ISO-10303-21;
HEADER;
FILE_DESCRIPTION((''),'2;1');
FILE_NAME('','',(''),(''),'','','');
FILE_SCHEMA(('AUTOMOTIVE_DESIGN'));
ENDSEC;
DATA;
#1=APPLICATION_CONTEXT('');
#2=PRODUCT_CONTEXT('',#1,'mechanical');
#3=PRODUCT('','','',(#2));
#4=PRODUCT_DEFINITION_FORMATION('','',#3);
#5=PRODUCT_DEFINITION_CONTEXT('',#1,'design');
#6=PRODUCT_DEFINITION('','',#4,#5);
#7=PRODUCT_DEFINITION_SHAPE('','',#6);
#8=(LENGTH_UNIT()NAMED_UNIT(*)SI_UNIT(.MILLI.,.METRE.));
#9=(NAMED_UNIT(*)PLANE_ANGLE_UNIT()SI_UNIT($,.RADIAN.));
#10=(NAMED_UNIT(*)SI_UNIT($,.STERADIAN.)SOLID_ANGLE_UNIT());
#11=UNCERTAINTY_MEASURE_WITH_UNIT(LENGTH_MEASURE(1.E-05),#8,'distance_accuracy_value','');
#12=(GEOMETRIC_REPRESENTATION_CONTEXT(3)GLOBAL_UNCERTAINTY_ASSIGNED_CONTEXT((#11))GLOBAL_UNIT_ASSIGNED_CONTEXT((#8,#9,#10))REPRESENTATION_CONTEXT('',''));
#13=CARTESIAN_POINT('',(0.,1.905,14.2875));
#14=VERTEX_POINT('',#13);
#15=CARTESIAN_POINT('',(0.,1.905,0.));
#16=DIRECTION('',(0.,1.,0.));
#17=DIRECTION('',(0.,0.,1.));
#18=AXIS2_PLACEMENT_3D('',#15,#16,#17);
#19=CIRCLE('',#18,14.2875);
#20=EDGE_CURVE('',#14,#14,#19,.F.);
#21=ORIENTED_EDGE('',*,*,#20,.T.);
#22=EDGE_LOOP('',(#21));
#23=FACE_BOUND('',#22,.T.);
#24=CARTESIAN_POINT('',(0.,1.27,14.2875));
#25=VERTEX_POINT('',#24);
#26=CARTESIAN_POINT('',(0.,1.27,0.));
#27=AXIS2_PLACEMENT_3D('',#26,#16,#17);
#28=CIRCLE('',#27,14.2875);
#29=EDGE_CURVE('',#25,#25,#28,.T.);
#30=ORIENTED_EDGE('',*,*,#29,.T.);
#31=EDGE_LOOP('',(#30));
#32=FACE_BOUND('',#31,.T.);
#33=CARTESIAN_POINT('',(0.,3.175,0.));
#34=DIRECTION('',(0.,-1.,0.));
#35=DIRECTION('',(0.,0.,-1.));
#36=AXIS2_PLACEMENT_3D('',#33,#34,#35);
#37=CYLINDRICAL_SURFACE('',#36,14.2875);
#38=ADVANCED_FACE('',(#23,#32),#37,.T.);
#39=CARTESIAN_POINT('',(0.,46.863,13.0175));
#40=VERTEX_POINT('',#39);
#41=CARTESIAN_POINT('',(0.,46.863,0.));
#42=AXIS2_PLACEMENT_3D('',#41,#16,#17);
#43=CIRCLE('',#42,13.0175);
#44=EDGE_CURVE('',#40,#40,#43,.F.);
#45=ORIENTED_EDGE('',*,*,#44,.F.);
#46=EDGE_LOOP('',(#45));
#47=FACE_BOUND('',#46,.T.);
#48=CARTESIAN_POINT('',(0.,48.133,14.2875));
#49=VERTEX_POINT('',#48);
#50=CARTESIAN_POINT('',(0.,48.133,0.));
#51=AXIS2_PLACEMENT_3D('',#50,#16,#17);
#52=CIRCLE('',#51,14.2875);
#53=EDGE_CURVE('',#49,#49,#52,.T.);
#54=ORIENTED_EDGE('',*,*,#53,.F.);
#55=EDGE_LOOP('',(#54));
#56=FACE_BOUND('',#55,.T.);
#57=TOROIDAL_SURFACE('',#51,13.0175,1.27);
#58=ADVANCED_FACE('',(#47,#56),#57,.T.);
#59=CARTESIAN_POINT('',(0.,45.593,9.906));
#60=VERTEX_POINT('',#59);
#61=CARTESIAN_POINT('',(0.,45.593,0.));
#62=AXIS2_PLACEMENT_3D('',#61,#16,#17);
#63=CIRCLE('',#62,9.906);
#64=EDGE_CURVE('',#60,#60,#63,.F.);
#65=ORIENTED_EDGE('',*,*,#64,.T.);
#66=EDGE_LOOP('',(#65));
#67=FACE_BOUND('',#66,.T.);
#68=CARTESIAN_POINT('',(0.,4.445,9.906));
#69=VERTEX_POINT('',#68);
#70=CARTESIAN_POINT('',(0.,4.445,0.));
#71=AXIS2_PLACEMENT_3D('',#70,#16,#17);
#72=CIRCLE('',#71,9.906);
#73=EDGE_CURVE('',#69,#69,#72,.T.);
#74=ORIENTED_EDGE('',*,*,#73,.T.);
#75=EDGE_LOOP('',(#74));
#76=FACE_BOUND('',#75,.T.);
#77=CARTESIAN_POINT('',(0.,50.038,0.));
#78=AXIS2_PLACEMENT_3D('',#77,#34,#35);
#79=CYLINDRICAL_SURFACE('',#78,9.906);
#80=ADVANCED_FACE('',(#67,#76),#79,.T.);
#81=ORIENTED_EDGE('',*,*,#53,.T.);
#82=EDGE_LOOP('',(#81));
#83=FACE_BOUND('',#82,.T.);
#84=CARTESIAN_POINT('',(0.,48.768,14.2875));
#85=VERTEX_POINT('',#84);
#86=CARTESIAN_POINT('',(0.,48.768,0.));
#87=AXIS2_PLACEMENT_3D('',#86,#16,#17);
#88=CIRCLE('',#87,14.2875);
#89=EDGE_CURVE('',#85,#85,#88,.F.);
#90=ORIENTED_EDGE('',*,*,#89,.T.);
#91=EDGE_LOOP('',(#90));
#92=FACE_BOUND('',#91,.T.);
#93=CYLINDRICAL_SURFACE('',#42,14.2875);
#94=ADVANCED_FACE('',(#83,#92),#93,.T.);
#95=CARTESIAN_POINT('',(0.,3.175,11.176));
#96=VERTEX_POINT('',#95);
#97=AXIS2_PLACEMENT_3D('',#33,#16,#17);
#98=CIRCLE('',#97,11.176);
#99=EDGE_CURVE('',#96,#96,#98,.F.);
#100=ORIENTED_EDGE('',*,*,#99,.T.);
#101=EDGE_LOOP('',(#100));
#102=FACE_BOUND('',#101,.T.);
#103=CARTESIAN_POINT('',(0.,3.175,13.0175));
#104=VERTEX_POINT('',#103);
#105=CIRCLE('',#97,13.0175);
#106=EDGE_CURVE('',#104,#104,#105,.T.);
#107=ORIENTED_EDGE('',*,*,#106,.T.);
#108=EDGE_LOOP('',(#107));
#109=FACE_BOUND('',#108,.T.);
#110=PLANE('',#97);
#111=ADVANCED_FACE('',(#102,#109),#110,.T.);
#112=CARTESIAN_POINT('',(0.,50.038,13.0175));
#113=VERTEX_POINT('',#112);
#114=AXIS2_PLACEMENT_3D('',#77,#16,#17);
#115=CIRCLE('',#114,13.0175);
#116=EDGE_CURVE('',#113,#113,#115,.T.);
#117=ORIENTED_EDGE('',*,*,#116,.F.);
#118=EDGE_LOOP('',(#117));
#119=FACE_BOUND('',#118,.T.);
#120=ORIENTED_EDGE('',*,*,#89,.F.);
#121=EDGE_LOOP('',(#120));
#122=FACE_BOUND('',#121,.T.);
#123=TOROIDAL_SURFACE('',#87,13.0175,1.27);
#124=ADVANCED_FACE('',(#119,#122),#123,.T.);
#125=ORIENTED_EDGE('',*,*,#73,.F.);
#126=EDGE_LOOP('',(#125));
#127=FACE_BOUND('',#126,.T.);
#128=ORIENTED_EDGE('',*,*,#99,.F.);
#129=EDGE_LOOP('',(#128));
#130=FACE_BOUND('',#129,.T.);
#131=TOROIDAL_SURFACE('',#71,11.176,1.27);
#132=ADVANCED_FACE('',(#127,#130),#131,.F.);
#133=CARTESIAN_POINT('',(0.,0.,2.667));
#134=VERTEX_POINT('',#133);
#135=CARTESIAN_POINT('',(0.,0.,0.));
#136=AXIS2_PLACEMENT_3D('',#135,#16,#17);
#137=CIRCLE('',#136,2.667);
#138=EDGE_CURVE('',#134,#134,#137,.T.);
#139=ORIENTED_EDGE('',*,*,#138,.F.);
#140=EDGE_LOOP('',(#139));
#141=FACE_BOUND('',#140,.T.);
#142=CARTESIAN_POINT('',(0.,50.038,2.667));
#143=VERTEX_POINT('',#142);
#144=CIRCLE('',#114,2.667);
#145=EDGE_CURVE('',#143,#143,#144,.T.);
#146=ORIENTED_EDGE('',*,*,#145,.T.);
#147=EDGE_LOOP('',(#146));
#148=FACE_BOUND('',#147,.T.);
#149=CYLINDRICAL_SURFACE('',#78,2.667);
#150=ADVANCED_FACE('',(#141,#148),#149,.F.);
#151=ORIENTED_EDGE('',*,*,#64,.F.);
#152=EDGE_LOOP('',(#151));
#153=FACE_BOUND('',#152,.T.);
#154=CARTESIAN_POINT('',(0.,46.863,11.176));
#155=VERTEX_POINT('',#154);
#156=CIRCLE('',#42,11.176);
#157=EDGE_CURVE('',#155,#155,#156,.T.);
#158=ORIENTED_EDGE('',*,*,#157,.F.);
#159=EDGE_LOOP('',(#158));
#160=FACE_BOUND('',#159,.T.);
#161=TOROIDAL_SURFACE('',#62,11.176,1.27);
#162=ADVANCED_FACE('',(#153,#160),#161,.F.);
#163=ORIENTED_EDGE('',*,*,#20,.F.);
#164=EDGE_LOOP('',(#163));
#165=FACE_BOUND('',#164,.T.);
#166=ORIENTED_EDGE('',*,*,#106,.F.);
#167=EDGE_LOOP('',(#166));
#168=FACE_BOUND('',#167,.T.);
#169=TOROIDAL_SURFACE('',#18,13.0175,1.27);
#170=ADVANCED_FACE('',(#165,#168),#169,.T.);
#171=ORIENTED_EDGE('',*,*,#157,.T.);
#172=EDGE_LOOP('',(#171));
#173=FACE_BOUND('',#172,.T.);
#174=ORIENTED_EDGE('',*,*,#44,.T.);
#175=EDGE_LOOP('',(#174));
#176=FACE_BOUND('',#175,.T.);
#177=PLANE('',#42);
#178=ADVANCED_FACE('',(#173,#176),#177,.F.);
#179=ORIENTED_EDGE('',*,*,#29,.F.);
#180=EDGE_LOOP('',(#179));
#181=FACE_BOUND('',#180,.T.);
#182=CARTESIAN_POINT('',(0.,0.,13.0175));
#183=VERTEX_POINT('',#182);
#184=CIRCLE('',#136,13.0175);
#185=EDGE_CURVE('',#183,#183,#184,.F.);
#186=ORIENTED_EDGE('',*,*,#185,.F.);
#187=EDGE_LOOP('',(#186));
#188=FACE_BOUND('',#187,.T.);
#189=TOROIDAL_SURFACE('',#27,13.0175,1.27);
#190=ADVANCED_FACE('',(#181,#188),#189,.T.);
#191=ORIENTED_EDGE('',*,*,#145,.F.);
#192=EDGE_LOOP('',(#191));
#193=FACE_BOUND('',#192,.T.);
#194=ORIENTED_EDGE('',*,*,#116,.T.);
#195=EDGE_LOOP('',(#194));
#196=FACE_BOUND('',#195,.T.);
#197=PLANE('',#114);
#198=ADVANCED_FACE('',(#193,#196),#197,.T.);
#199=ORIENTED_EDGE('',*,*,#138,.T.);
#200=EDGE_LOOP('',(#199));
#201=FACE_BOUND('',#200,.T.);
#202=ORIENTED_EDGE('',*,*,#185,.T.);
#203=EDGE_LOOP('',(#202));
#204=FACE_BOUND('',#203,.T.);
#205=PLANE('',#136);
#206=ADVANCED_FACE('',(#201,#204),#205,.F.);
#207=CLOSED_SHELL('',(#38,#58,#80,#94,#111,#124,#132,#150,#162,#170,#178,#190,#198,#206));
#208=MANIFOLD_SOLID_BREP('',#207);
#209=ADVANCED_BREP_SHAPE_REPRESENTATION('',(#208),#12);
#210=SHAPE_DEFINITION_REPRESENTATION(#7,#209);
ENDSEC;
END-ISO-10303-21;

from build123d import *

# Parameters (mm, degrees)
SKETCH2_R           = 9.906
SKETCH2_R_2         = 2.667
BOSS_EXTRUDE1_DEPTH = 50.038
BOSS_EXTRUDE2_START = -3.175
SKETCH3_R           = 14.2875
SKETCH3_R_2         = 2.667
BOSS_EXTRUDE2_DEPTH = 3.175
BOSS_EXTRUDE3_START = -50.038
SKETCH3_2_R         = 14.2875
SKETCH3_2_R_2       = 2.667
BOSS_EXTRUDE3_DEPTH = 3.175
FILLET1_R           = 1.27


with BuildPart() as part:
    # Sketch2 → Boss-Extrude1 (new body)
    with BuildSketch(Plane(origin=(0, 0, 0), x_dir=(1, 0, 0), z_dir=(0, 1, 0))):
        with Locations(Location((0, 0, 0), (0, 0, 270))):
            Circle(SKETCH2_R)
        with Locations(Location((0, 0, 0), (0, 0, 270))):
            Circle(SKETCH2_R_2, mode=Mode.SUBTRACT)
    extrude(amount=BOSS_EXTRUDE1_DEPTH)

    # Sketch3 → Boss-Extrude2 (add)
    with BuildSketch(Plane(origin=(0, 50.038, 0), x_dir=(1, 0, 0), z_dir=(0, 1, 0)).offset(BOSS_EXTRUDE2_START)):
        with Locations(Location((0, 0, 0), (0, 0, 270))):
            Circle(SKETCH3_R)
        with Locations(Location((0, 0, 0), (0, 0, 270))):
            Circle(SKETCH3_R_2, mode=Mode.SUBTRACT)
    extrude(amount=BOSS_EXTRUDE2_DEPTH)

    # Sketch3<2> → Boss-Extrude3 (add)
    with BuildSketch(Plane(origin=(0, 50.038, 0), x_dir=(1, 0, 0), z_dir=(0, 1, 0)).offset(BOSS_EXTRUDE3_START)):
        with Locations(Location((0, 0, 0), (0, 0, 270))):
            Circle(SKETCH3_2_R)
        with Locations(Location((0, 0, 0), (0, 0, 270))):
            Circle(SKETCH3_2_R_2, mode=Mode.SUBTRACT)
    extrude(amount=BOSS_EXTRUDE3_DEPTH)

    # Fillet1
    fillet1_edges = [part.edges().sort_by_distance(p)[0] for p in [
        (0, 46.863, -9.906),
        (0, 50.038, -14.2875),
        (0, 46.863, -14.2875),
        (0, 3.175, -14.2875),
        (0, 3.175, -9.906),
        (0, 0, -14.2875),
    ]]
    fillet(fillet1_edges, radius=FILLET1_R)


solid = part.part
